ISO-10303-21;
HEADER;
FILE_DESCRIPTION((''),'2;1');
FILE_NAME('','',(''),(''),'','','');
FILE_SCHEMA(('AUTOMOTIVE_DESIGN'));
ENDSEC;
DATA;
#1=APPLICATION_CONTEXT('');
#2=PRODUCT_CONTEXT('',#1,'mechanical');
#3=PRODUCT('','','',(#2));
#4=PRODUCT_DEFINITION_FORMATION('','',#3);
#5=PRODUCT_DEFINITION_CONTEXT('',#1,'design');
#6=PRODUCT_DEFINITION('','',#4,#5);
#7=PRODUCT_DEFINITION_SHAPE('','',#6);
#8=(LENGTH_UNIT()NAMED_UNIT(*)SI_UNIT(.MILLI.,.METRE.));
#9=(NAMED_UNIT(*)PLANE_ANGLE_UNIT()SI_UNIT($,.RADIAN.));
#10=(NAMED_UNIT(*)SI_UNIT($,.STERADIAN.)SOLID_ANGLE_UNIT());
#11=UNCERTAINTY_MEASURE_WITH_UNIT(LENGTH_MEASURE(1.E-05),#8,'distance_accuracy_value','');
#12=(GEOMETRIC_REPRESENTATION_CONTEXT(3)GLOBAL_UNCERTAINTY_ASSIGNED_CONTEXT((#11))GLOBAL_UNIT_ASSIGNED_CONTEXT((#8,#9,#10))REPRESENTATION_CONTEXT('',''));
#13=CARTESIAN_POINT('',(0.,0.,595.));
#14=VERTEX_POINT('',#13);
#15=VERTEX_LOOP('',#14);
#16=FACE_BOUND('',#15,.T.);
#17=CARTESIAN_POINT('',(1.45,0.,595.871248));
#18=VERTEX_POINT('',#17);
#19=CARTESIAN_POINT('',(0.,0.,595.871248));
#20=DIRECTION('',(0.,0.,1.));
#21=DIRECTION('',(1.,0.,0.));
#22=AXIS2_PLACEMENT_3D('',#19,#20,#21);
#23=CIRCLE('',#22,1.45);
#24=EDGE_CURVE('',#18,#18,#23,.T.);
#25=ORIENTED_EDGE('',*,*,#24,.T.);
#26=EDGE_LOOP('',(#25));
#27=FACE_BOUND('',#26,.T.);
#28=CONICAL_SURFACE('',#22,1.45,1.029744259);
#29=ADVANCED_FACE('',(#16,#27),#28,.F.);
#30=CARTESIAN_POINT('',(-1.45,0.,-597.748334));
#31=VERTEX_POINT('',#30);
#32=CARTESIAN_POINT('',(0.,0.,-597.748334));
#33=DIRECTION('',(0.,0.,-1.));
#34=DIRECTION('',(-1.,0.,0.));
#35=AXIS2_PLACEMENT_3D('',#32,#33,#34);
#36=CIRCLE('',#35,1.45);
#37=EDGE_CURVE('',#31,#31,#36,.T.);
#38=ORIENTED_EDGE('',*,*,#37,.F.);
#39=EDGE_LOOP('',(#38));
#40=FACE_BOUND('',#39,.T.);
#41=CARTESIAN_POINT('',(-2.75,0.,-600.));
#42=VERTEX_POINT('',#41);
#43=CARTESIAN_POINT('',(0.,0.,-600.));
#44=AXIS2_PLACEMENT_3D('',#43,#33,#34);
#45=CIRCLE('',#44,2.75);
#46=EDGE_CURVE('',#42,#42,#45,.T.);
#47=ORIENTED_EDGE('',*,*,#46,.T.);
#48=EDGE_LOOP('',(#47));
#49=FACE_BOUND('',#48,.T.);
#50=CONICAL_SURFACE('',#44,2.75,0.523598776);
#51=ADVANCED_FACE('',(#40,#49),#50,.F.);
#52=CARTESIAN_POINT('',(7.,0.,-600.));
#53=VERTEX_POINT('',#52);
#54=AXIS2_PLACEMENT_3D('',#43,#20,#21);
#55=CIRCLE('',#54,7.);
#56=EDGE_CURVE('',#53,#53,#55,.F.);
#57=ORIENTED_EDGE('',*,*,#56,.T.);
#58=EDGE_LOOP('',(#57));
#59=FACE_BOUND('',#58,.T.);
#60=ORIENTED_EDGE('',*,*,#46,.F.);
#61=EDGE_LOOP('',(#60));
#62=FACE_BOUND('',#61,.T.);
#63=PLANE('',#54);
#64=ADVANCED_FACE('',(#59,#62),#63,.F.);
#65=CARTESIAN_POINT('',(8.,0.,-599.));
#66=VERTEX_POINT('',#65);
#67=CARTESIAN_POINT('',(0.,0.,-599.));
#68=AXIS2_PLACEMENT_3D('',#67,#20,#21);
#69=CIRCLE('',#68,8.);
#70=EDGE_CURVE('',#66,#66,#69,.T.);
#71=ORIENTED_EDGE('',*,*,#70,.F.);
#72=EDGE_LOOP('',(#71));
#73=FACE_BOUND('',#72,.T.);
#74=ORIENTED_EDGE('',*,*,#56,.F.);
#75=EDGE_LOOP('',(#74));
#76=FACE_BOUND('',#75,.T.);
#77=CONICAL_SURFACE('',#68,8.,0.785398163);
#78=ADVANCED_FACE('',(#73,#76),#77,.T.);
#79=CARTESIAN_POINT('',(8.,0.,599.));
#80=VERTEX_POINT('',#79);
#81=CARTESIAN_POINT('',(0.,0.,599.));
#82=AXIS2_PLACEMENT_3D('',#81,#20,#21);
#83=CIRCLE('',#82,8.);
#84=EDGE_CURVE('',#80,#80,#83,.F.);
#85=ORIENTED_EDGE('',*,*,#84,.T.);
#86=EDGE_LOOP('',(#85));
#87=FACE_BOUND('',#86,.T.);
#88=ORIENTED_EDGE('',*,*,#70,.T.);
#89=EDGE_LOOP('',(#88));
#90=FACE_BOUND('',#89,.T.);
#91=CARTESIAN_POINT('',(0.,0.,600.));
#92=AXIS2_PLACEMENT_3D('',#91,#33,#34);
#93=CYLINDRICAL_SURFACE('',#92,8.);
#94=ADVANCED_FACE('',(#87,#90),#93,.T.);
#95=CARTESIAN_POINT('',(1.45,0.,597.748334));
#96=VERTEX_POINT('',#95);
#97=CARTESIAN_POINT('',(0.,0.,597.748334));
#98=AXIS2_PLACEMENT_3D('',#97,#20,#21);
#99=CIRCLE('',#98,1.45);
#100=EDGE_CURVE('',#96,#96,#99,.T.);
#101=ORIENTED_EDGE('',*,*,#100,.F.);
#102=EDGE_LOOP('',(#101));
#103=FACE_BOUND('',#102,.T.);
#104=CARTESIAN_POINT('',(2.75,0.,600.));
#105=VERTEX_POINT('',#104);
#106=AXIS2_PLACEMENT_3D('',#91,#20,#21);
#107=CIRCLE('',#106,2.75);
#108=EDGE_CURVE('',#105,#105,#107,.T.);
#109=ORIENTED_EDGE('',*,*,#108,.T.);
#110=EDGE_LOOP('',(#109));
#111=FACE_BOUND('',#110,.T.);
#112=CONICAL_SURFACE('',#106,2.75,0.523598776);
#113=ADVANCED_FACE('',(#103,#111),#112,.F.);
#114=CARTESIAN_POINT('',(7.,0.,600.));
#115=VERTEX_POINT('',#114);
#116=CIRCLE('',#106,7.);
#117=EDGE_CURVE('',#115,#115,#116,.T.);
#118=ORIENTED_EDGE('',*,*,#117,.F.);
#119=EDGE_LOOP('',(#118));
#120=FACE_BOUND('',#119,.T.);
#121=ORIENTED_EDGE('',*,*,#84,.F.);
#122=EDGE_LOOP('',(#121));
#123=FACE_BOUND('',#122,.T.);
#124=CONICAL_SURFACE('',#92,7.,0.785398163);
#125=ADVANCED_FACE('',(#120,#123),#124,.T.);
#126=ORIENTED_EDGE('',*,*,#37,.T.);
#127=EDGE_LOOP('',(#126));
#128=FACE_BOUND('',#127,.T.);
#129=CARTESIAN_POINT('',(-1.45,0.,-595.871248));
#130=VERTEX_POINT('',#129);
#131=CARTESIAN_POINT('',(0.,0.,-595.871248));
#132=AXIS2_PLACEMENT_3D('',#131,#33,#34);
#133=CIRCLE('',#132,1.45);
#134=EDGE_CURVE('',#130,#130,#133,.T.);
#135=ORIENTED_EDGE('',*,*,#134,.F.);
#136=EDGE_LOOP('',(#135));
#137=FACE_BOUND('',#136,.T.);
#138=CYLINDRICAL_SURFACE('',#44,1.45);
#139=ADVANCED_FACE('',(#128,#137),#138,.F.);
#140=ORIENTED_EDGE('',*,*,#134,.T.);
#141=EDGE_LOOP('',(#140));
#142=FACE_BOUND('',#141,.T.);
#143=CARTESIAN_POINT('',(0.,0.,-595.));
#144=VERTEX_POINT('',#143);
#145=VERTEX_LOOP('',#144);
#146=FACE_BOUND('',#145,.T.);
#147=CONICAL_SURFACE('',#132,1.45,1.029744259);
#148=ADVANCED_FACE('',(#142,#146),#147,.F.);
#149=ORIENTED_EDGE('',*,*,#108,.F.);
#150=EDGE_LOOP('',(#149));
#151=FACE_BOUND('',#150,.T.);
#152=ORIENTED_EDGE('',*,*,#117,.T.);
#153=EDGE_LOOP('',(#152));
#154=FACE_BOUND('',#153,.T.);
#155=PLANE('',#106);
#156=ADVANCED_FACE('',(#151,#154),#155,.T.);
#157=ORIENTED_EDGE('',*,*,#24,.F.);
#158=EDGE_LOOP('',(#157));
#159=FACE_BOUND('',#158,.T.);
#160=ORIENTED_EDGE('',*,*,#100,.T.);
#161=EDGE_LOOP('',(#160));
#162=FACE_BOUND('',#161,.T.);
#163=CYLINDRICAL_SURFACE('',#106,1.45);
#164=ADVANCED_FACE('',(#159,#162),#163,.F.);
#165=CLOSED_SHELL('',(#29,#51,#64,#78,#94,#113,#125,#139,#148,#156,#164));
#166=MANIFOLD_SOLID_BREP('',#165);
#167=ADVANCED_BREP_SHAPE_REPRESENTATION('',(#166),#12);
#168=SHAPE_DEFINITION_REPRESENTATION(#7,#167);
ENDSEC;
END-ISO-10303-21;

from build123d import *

# Parameters (mm, degrees)
SKETCH1_R           = 8
BOSS_EXTRUDE1_DEPTH = 600
CHAMFER1_SIZE       = 1


with BuildPart() as part:
    # Sketch1 → Boss-Extrude1 (new, symmetric)
    with BuildSketch(Plane.XY):
        Circle(SKETCH1_R)
    extrude(amount=BOSS_EXTRUDE1_DEPTH, both=True)

    # Sketch4 → CSK for M2.5 Flat Head Machine Screw1 (revolve, cut)
    with BuildSketch(Plane(origin=(0, 0, -600), x_dir=(0, 1, 0), z_dir=(1, 0, 0))):
        Polygon((0, 0), (0, 5), (1.45, 4.128752102), (1.45, 2.25166605), (2.75, 0), align=None)
    csk_for_m2_5_flat_head_machine_screw1 = revolve(axis=Axis((0, 0, -606.35), (0, 0, 1)), mode=Mode.SUBTRACT)

    # Mirror1: CSK for M2.5 Flat Head Machine Screw1 across plane
    add(csk_for_m2_5_flat_head_machine_screw1.mirror(Plane.XY), mode=Mode.SUBTRACT)

    # Chamfer1
    chamfer1_edges = [part.edges().sort_by_distance(p)[0] for p in [
        (-8, 0, -600),
        (-8, 0, 600),
    ]]
    chamfer(chamfer1_edges, length=CHAMFER1_SIZE)


solid = part.part
